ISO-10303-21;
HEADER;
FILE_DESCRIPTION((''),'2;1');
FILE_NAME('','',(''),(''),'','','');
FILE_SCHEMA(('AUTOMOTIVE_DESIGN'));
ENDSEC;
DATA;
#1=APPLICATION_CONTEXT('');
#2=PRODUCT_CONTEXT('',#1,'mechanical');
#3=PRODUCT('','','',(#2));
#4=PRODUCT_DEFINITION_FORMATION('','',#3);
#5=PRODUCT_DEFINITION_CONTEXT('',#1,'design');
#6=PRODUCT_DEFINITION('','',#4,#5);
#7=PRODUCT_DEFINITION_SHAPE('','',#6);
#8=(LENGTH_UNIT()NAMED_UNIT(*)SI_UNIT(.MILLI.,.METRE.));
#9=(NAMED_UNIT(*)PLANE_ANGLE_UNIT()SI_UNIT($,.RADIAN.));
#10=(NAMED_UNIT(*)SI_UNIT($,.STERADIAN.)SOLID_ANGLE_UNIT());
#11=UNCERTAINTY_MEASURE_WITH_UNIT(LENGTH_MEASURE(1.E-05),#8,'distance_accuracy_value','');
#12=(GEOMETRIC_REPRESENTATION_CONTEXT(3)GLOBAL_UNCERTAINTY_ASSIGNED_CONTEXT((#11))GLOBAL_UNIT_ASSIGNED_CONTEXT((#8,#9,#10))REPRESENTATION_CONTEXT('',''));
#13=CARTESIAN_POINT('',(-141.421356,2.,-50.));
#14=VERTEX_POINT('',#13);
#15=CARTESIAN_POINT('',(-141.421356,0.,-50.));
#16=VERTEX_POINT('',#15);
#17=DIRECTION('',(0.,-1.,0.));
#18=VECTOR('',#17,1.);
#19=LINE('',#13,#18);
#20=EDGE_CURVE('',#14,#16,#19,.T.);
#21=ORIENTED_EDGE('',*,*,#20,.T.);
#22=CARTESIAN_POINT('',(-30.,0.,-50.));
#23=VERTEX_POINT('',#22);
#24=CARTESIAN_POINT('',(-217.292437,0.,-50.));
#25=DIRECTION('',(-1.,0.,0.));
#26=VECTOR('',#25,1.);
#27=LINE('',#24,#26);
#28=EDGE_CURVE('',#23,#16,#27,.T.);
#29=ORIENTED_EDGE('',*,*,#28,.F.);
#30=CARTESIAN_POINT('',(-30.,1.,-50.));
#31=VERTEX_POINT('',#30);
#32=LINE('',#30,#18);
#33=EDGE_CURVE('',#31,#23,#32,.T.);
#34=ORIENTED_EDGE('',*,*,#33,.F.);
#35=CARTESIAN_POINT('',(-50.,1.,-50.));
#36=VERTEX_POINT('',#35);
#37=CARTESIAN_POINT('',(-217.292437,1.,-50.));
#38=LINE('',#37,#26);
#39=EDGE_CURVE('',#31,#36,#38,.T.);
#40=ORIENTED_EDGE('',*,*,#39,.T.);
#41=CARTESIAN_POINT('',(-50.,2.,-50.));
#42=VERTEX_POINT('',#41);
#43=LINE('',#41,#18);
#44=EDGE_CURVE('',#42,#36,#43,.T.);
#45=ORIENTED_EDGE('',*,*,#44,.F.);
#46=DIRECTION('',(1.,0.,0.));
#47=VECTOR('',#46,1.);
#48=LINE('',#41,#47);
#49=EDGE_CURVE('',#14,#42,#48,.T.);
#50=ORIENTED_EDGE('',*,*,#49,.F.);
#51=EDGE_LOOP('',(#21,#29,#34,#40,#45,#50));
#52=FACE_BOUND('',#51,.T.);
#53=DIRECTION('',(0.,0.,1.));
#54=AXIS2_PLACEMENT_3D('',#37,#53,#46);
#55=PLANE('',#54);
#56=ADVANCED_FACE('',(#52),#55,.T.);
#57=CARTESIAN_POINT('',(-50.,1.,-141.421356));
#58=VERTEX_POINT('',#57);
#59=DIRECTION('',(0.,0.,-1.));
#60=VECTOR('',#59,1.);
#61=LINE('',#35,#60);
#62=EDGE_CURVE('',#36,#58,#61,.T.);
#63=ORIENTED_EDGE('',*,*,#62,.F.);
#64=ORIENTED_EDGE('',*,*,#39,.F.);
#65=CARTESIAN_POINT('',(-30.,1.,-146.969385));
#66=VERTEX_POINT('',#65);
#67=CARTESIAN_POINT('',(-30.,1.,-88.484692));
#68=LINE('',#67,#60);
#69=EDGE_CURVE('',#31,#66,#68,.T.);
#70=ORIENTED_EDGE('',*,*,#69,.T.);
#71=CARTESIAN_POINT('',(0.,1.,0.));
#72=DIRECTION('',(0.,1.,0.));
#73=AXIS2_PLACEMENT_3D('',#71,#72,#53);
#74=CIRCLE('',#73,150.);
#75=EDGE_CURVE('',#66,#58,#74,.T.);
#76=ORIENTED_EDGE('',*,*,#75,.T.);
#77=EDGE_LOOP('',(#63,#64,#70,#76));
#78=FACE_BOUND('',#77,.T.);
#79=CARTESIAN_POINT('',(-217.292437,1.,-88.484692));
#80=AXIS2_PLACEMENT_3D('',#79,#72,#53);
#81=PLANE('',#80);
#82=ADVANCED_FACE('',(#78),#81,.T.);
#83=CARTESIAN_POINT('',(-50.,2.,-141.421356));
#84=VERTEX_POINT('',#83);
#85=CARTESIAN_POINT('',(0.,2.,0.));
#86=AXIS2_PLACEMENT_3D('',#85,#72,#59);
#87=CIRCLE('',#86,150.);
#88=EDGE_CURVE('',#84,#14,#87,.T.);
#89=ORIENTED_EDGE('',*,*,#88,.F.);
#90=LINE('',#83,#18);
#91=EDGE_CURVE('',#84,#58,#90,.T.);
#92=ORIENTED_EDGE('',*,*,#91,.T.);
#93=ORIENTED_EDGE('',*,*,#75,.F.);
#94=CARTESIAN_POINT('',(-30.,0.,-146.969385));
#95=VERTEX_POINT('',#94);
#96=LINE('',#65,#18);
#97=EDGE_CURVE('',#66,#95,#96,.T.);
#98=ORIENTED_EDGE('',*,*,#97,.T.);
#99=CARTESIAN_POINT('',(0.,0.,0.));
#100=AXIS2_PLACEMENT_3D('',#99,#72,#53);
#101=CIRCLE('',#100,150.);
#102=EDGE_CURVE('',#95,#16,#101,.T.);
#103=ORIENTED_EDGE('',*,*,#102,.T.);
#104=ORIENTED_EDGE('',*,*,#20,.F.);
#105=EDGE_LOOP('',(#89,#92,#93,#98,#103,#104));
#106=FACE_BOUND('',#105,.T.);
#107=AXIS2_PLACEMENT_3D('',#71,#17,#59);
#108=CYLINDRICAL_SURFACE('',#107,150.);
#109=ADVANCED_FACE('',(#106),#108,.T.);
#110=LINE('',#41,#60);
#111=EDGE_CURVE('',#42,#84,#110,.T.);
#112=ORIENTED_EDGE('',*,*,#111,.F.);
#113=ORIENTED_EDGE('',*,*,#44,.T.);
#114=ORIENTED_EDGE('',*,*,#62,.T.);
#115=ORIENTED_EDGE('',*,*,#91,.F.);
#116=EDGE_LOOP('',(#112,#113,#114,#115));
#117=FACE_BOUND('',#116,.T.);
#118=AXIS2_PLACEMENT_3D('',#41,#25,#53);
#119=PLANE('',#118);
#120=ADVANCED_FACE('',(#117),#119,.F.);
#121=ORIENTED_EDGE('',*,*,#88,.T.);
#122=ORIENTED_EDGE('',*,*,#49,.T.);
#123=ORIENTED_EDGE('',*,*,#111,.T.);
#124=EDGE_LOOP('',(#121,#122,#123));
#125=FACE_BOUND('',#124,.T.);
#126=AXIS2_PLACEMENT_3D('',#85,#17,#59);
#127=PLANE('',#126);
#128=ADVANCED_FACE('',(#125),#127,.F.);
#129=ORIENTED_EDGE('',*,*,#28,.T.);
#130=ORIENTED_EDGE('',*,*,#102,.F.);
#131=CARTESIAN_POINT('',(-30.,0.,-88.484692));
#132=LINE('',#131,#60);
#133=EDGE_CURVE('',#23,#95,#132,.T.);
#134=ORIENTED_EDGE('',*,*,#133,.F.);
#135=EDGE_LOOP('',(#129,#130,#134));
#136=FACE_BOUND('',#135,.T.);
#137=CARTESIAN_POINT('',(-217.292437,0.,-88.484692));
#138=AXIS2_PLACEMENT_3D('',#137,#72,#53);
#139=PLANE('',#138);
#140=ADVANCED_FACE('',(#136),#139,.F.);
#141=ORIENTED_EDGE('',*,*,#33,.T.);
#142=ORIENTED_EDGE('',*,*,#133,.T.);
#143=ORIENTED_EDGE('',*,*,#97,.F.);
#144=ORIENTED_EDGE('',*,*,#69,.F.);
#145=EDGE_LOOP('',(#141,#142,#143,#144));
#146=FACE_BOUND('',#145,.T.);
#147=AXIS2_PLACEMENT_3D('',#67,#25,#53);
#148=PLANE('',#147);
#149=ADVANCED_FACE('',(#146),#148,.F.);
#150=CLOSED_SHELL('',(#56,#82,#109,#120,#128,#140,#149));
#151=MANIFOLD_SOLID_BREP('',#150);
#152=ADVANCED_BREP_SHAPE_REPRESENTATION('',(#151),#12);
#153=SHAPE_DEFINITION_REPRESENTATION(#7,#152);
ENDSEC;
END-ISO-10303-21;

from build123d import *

# Parameters (mm, degrees)
BOSS_EXTRUDE1_DEPTH = 1
BOSS_EXTRUDE2_DEPTH = 1
CUT_EXTRUDE1_DEPTH  = 208.84850252


with BuildPart() as part:
    # Sketch1 → Boss-Extrude1 (new body)
    with BuildSketch(Plane(origin=(0, 0, 0), x_dir=(1, 0, 0), z_dir=(0, 1, 0))):
        with BuildLine():
            Line((-50, 50), (-30, 50))
            Line((-30, 50), (-30, 146.969384567))
            ThreePointArc((-30, 146.969384567), (-106.066017178, 106.066017178), (-146.969384567, 30))
            Line((-146.969384567, 30), (-50, 30))
            Line((-50, 30), (-50, 50))
        make_face()
    extrude(amount=BOSS_EXTRUDE1_DEPTH)

    # Sketch2 → Boss-Extrude2 (add)
    with BuildSketch(Plane(origin=(0, 1, 0), x_dir=(-1, 0, 0), z_dir=(0, 1, 0))):
        with BuildLine():
            Line((50, -50), (141.421356237, -50))
            ThreePointArc((141.421356237, -50), (106.066017178, -106.066017178), (50, -141.421356237))
            Line((50, -141.421356237), (50, -50))
        make_face()
    extrude(amount=BOSS_EXTRUDE2_DEPTH)

    # Sketch3 → Cut-Extrude1 (cut, through all)
    with BuildSketch(Plane(origin=(0, 1, 0), x_dir=(1, 0, 0), z_dir=(0, 1, 0))):
        with BuildLine():
            Line((-50, 50), (-141.421356237, 50))
            ThreePointArc((-141.421356237, 50), (-144.541706249, 40.096074055), (-146.969384567, 30))
            Line((-146.969384567, 30), (-50, 30))
            Line((-50, 30), (-50, 50))
        make_face()
    extrude(amount=-CUT_EXTRUDE1_DEPTH, mode=Mode.SUBTRACT)


solid = part.part
